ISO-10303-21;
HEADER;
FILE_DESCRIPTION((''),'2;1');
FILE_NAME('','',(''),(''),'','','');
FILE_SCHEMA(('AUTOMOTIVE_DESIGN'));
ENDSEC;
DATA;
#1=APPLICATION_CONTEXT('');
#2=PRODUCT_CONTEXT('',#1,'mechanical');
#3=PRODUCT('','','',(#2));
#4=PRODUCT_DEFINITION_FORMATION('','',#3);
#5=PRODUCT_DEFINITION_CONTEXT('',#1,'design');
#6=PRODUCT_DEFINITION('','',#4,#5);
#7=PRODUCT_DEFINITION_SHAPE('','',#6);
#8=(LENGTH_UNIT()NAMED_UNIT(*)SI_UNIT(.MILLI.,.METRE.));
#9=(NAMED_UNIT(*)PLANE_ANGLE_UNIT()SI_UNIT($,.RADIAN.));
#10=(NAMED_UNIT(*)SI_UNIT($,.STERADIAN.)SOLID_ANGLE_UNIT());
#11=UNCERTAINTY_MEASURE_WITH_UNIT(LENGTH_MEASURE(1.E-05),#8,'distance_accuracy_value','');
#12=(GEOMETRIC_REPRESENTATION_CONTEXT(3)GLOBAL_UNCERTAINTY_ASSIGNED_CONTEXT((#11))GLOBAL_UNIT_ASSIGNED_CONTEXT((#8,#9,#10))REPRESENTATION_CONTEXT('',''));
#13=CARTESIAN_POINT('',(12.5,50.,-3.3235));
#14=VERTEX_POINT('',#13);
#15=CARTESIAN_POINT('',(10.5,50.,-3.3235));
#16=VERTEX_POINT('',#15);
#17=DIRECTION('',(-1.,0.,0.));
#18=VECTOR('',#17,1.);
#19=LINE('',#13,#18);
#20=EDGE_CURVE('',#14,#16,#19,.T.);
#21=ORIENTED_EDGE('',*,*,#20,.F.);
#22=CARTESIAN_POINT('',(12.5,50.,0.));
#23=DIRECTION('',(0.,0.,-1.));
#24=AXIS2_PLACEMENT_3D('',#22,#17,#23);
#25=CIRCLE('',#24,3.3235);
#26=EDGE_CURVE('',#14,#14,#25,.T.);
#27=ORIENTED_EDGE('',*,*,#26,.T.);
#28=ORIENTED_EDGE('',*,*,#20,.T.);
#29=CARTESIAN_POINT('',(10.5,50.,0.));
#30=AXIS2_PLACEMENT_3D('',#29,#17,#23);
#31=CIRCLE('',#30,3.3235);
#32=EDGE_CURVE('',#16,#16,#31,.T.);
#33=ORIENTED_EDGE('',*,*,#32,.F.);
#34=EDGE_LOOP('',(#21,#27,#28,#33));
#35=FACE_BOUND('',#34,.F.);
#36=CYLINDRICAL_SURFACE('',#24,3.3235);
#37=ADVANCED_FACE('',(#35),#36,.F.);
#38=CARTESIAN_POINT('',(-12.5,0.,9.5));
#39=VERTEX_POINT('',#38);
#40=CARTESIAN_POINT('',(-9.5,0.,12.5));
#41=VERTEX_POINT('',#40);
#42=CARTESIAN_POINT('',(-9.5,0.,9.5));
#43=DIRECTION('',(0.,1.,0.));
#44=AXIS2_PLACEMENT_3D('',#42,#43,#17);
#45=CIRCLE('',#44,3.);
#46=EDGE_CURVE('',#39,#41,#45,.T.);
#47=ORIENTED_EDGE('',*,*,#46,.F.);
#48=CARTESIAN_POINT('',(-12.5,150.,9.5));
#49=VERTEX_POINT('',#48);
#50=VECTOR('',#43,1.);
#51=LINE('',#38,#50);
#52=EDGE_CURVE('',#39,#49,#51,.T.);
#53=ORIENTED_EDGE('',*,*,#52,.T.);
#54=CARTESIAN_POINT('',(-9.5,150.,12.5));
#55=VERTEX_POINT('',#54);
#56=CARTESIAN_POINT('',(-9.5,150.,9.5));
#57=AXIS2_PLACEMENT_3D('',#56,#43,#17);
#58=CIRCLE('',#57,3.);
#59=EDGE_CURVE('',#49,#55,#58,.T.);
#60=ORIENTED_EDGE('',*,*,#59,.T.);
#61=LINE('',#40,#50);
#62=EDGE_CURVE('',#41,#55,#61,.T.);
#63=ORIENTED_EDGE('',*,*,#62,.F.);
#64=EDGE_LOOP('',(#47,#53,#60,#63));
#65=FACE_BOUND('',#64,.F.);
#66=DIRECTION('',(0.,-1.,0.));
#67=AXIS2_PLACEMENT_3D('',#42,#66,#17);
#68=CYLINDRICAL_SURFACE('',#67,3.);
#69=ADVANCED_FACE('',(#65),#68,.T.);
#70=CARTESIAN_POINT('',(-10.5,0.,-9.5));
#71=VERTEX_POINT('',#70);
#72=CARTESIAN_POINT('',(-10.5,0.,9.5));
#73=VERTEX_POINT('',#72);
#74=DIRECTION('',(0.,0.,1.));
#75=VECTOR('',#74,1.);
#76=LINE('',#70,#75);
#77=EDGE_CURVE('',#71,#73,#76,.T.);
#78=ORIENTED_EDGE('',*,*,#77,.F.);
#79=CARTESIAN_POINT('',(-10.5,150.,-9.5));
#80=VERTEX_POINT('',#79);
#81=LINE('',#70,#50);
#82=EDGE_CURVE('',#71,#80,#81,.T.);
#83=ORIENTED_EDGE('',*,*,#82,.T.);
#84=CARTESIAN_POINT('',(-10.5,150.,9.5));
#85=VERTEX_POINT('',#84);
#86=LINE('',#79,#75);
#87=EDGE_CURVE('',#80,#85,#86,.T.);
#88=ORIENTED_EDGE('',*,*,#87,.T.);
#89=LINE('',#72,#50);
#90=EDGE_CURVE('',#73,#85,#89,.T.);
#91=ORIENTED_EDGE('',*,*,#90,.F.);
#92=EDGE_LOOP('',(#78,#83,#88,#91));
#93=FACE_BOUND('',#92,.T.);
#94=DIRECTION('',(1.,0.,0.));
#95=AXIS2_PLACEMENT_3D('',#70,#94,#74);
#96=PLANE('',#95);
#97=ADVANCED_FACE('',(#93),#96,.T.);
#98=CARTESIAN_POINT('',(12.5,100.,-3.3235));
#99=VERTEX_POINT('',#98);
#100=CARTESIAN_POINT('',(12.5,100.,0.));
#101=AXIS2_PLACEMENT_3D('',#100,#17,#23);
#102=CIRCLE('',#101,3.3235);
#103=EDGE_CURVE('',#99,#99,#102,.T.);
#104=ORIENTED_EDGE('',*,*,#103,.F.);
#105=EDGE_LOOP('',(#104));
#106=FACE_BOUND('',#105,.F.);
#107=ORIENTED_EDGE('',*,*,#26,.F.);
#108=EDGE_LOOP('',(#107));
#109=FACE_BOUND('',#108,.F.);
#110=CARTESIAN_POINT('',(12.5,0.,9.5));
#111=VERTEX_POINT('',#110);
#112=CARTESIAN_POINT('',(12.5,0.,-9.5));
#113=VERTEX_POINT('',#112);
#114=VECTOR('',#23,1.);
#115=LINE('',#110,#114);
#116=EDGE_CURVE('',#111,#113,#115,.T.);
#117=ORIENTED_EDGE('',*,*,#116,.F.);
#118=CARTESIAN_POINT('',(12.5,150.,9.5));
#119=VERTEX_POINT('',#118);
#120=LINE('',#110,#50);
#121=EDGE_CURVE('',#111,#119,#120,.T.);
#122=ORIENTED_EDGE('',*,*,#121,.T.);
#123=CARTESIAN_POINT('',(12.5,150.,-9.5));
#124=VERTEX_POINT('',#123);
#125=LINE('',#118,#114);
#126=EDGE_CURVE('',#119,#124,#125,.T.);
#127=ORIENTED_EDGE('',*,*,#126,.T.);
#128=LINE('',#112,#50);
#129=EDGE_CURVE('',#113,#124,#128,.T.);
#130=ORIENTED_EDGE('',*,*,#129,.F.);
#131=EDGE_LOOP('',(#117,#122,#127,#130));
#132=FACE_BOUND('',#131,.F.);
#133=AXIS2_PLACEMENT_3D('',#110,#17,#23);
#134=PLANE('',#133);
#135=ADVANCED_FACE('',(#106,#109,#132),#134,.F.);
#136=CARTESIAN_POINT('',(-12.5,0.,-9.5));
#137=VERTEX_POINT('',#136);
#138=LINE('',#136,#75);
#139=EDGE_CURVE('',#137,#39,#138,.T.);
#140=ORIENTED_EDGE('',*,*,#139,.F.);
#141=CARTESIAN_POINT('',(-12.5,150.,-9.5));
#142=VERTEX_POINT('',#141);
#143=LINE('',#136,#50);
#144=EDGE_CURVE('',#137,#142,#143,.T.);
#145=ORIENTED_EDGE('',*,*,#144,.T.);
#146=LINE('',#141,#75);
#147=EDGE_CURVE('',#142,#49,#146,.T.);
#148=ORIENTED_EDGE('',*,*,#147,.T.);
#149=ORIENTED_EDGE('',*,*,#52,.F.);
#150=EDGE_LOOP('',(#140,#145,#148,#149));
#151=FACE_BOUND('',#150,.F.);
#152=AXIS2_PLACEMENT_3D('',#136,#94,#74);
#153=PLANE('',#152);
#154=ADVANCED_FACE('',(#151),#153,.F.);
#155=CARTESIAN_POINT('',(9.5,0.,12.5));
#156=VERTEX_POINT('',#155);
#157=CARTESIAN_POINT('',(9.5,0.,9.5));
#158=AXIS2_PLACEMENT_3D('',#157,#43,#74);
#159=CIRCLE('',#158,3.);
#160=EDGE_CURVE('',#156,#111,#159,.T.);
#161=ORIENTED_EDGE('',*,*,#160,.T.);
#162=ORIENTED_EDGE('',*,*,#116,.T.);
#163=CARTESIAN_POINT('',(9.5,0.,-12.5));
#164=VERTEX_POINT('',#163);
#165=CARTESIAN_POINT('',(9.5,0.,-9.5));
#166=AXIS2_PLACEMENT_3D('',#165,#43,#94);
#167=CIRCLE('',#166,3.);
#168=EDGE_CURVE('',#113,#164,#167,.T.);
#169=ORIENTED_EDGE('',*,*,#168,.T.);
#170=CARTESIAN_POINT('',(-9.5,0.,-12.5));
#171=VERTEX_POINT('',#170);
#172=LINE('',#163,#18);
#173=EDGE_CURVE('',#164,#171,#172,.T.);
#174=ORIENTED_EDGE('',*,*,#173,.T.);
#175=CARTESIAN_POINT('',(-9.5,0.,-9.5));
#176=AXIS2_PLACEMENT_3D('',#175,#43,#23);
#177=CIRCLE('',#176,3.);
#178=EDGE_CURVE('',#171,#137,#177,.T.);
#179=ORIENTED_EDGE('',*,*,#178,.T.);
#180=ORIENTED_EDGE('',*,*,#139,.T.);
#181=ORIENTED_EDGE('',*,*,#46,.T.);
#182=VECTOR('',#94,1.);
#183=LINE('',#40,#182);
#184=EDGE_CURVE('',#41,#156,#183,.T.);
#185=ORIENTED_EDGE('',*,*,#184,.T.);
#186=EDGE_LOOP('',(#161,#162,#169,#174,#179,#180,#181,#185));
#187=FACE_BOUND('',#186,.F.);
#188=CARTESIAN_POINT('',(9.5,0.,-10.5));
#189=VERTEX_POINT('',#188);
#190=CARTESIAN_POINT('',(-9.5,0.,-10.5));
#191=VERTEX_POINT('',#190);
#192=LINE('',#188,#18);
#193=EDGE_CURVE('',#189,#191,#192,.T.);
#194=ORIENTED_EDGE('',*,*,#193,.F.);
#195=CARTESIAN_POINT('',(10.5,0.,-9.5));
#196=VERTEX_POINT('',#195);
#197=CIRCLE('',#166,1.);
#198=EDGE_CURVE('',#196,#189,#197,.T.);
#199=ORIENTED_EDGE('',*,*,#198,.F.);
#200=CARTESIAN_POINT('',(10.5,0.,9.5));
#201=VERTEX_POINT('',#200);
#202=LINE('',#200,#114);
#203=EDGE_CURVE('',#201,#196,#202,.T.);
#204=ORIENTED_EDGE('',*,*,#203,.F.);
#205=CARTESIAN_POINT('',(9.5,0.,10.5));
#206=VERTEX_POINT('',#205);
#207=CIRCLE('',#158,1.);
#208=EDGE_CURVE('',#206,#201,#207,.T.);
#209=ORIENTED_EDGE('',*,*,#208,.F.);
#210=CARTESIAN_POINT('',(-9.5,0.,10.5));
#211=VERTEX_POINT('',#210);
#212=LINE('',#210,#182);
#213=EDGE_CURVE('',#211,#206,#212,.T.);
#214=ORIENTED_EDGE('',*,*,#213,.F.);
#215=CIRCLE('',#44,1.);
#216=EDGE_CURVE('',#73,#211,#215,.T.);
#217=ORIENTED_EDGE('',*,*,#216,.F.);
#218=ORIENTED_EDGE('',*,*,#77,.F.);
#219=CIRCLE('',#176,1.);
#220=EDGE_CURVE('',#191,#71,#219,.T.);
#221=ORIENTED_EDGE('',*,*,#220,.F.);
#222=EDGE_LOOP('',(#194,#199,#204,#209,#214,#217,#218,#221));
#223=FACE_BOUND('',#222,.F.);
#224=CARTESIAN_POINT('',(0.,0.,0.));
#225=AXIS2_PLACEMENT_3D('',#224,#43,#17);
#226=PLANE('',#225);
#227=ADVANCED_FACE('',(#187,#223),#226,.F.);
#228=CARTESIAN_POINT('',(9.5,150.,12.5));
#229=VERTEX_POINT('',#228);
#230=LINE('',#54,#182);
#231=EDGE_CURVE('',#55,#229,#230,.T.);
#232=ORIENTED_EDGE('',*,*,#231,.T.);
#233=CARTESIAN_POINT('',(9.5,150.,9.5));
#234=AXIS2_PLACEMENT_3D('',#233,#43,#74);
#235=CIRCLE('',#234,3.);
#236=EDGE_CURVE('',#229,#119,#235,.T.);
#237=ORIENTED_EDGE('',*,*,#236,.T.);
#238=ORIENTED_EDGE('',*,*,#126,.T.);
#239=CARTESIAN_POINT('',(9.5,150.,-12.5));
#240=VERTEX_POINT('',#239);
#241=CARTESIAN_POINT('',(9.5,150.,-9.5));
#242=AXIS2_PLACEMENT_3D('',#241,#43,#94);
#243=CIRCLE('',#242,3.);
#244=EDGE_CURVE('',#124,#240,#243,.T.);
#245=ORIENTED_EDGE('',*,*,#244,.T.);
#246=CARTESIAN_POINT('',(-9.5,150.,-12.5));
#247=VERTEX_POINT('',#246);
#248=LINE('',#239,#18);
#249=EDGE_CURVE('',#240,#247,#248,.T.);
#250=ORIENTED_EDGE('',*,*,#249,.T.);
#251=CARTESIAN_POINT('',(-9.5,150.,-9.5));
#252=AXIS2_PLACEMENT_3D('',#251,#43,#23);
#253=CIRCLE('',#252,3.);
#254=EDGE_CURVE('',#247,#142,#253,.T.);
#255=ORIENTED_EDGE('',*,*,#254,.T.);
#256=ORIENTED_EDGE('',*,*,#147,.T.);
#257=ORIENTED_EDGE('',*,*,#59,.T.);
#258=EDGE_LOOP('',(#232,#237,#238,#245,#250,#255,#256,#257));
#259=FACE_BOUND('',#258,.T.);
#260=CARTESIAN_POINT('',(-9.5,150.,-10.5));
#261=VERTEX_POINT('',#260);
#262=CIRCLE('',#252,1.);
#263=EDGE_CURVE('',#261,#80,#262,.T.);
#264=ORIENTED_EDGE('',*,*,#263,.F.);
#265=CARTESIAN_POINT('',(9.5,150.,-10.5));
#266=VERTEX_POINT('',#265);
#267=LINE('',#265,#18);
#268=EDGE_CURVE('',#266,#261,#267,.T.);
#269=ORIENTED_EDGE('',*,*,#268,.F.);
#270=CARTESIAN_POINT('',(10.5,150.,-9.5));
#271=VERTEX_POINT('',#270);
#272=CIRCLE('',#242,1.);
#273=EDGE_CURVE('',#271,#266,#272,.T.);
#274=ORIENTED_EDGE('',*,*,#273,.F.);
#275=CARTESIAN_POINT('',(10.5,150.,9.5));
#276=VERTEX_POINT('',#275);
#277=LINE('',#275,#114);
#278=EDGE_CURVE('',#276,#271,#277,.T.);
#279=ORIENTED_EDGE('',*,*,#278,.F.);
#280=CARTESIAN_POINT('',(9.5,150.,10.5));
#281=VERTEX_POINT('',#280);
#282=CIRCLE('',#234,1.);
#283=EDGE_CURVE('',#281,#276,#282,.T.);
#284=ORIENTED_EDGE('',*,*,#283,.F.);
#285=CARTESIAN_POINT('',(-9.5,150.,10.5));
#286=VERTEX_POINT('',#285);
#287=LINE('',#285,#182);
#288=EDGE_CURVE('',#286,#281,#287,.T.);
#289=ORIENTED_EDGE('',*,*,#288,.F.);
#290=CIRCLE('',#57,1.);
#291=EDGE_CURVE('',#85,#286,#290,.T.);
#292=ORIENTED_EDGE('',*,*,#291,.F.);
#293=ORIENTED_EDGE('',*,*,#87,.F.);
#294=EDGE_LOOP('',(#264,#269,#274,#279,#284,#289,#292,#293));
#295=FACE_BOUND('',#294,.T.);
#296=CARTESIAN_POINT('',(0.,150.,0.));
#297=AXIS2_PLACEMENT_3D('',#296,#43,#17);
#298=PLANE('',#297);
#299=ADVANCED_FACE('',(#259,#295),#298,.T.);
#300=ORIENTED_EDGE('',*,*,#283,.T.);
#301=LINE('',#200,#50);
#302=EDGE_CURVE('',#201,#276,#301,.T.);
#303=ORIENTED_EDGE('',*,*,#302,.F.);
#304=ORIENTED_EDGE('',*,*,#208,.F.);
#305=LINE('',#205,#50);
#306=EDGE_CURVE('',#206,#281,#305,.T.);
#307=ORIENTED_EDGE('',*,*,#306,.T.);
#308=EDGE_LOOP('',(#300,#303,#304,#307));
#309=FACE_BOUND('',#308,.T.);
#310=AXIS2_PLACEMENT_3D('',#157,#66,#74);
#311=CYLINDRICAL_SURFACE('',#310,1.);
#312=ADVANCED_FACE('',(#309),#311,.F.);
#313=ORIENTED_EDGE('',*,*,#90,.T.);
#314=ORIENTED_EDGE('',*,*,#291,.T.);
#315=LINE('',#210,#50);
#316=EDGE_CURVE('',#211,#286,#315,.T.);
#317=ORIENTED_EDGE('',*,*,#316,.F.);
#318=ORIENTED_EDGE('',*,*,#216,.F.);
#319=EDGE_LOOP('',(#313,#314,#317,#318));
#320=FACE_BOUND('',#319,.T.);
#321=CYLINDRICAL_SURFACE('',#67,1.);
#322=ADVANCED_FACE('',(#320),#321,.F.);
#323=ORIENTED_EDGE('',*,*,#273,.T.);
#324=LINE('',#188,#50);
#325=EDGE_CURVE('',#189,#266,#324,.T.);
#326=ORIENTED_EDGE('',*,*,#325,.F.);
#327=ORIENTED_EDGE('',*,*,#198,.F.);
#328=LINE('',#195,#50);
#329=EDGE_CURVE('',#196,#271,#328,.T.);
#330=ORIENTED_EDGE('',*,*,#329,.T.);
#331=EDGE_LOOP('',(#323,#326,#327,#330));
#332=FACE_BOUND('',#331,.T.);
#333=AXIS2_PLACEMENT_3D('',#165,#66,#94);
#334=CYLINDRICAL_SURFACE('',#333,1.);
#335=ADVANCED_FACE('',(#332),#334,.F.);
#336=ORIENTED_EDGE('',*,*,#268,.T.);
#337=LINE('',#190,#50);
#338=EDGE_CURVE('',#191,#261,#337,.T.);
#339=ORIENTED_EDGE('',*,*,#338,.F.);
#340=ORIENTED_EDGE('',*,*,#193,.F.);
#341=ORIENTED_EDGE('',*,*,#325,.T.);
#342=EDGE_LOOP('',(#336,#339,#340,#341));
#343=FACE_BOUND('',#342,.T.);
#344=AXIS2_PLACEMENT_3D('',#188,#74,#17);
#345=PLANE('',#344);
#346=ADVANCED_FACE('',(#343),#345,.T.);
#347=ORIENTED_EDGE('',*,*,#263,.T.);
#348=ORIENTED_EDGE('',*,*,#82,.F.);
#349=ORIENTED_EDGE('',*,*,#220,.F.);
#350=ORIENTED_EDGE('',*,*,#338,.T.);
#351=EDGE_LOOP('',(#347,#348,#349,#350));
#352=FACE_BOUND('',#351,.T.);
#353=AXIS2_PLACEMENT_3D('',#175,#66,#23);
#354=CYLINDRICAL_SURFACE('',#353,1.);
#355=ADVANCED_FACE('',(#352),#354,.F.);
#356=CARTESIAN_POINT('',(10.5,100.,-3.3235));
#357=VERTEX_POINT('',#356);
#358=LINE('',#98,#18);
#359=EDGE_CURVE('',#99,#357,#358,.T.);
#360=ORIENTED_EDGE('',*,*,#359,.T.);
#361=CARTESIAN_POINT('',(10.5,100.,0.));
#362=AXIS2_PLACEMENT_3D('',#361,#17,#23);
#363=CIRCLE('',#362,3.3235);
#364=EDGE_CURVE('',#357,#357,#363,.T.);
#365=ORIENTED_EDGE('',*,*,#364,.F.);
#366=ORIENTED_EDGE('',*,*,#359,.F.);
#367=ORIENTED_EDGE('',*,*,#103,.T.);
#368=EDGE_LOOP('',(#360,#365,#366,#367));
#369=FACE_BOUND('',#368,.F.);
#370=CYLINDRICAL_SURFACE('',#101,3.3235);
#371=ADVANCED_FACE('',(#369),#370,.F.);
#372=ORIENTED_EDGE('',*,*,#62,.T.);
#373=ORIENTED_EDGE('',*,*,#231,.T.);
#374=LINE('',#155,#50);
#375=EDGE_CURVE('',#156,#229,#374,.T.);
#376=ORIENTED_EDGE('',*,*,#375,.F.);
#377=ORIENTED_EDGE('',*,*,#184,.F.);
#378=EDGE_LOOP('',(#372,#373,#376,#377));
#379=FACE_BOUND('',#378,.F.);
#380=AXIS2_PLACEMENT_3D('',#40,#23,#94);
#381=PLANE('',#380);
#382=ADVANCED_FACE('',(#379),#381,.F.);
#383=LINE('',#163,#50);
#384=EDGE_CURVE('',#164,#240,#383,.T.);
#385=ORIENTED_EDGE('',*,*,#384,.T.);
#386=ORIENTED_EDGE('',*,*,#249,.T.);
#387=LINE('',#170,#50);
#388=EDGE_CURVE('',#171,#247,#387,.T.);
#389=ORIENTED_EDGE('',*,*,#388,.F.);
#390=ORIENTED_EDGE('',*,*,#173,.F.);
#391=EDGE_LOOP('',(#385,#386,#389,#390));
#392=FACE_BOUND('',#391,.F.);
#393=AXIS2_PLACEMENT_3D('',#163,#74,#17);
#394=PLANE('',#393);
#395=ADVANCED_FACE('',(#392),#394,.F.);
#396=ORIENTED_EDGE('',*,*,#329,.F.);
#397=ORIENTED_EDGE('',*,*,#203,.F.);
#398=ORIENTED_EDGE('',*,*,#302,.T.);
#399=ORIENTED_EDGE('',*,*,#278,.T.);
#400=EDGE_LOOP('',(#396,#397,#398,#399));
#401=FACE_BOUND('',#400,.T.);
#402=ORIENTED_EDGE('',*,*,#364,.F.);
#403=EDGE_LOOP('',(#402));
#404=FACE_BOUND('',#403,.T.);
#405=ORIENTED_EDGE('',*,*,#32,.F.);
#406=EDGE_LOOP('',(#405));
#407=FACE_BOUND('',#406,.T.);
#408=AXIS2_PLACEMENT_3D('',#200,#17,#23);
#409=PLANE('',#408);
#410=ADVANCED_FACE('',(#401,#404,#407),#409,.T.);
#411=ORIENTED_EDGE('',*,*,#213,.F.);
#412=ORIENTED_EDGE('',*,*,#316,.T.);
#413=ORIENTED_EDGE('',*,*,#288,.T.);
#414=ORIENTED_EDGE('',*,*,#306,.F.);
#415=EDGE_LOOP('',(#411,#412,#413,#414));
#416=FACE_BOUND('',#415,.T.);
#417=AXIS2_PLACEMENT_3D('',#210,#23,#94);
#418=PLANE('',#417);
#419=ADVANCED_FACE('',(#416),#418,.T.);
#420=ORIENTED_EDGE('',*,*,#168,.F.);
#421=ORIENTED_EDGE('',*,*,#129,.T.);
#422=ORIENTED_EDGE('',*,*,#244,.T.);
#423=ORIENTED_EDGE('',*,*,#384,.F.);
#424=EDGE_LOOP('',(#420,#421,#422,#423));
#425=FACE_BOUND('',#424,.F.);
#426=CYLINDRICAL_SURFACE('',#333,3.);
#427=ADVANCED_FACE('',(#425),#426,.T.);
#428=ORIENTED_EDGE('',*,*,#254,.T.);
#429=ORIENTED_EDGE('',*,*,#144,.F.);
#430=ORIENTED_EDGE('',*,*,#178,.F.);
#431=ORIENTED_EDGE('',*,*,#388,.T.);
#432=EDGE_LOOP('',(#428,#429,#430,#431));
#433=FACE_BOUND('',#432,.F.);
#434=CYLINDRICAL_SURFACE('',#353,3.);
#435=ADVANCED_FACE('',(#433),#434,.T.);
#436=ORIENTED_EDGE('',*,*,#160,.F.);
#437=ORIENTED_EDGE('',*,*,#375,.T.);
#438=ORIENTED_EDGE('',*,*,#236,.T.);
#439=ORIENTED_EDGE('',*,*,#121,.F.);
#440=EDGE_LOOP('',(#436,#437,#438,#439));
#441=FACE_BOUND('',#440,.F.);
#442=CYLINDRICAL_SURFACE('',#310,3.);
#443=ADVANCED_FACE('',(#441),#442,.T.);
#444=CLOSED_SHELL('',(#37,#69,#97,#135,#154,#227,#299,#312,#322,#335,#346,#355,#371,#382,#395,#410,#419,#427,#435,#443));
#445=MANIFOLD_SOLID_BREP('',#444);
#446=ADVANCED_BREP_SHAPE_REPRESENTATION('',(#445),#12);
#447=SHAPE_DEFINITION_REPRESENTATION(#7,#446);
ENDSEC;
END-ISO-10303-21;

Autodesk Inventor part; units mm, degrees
ref_plane "XZ Plane" through (0, 0, 0) normal (0, 1, 0) x (-1, 0, 0)
sketch "Sketch1" plane through (0, 0, 0) normal (0, 1, 0) x (-1, 0, 0)
  line L0 (-9.5, 11.5) -> (9.5, 11.5) construction
  line L1 (11.5, 9.5) -> (11.5, -9.5) construction
  line L2 (9.5, -11.5) -> (-9.5, -11.5) construction
  line L3 (-11.5, -9.5) -> (-11.5, 9.5) construction
  line L4 (-11.5, 11.5) -> (11.5, -11.5) construction
  line L5 (11.5, 11.5) -> (-11.5, -11.5) construction
  arc A0 (11.5, 9.5) -> (9.5, 11.5) centre (9.5, 9.5) ccw construction
  arc A1 (9.5, -11.5) -> (11.5, -9.5) centre (9.5, -9.5) ccw construction
  arc A2 (-11.5, -9.5) -> (-9.5, -11.5) centre (-9.5, -9.5) ccw construction
  arc A3 (-9.5, 11.5) -> (-11.5, 9.5) centre (-9.5, 9.5) ccw construction
  line L6 (-9.5, -12.5) -> (9.5, -12.5)
  arc A4 (9.5, -12.5) -> (12.5, -9.5) centre (9.5, -9.5) ccw
  line L7 (12.5, -9.5) -> (12.5, 9.5)
  arc A5 (12.5, 9.5) -> (9.5, 12.5) centre (9.5, 9.5) ccw
  line L8 (9.5, 12.5) -> (-9.5, 12.5)
  arc A6 (-9.5, 12.5) -> (-12.5, 9.5) centre (-9.5, 9.5) ccw
  line L9 (-12.5, 9.5) -> (-12.5, -9.5)
  arc A7 (-12.5, -9.5) -> (-9.5, -12.5) centre (-9.5, -9.5) ccw
  line L10 (10.5, -9.5) -> (10.5, 9.5)
  arc A8 (10.5, 9.5) -> (9.5, 10.5) centre (9.5, 9.5) ccw
  line L11 (9.5, 10.5) -> (-9.5, 10.5)
  arc A9 (-9.5, 10.5) -> (-10.5, 9.5) centre (-9.5, 9.5) ccw
  line L12 (-10.5, 9.5) -> (-10.5, -9.5)
  arc A10 (-10.5, -9.5) -> (-9.5, -10.5) centre (-9.5, -9.5) ccw
  line L13 (-9.5, -10.5) -> (9.5, -10.5)
  arc A11 (9.5, -10.5) -> (10.5, -9.5) centre (9.5, -9.5) ccw
  point P0 (0, 0)
  point P1 (0, 0)
  point P2 (0, 0)
  dimension "d10" = 2
  dimension "depth" = 25
  dimension "width" = 25
  dimension "thickness" = 2
extrude "Extrusion1" add sketch "Sketch1" along normal blind 150
sketch "Sketch2" plane through (12.5, 0, 9.5) normal (1, 0, 0) x (0, 0, -1)
  line L0 (9.5, -30) -> (9.5, 180) construction
  line L1 (0, 150) -> (19, 150) projected
  point P0 (9.5, 0)
  point P1 (9.5, 100)
  point P2 (9.5, 50)
  dimension "d16" = 50
  dimension "d17" = 50
hole "Hole1" at (12.5, 100, 0) at (12.5, 50, 0) direction (-1, 0, 0) diameter 6.647 depth 20.2 tip angle 118 thread size "M8x1.25" class "6H" standard "ANSI Metric M Profile"
equation "\"d10\" = thickness"
properties part number "Stopa v1 profil 3" material "Steel"
